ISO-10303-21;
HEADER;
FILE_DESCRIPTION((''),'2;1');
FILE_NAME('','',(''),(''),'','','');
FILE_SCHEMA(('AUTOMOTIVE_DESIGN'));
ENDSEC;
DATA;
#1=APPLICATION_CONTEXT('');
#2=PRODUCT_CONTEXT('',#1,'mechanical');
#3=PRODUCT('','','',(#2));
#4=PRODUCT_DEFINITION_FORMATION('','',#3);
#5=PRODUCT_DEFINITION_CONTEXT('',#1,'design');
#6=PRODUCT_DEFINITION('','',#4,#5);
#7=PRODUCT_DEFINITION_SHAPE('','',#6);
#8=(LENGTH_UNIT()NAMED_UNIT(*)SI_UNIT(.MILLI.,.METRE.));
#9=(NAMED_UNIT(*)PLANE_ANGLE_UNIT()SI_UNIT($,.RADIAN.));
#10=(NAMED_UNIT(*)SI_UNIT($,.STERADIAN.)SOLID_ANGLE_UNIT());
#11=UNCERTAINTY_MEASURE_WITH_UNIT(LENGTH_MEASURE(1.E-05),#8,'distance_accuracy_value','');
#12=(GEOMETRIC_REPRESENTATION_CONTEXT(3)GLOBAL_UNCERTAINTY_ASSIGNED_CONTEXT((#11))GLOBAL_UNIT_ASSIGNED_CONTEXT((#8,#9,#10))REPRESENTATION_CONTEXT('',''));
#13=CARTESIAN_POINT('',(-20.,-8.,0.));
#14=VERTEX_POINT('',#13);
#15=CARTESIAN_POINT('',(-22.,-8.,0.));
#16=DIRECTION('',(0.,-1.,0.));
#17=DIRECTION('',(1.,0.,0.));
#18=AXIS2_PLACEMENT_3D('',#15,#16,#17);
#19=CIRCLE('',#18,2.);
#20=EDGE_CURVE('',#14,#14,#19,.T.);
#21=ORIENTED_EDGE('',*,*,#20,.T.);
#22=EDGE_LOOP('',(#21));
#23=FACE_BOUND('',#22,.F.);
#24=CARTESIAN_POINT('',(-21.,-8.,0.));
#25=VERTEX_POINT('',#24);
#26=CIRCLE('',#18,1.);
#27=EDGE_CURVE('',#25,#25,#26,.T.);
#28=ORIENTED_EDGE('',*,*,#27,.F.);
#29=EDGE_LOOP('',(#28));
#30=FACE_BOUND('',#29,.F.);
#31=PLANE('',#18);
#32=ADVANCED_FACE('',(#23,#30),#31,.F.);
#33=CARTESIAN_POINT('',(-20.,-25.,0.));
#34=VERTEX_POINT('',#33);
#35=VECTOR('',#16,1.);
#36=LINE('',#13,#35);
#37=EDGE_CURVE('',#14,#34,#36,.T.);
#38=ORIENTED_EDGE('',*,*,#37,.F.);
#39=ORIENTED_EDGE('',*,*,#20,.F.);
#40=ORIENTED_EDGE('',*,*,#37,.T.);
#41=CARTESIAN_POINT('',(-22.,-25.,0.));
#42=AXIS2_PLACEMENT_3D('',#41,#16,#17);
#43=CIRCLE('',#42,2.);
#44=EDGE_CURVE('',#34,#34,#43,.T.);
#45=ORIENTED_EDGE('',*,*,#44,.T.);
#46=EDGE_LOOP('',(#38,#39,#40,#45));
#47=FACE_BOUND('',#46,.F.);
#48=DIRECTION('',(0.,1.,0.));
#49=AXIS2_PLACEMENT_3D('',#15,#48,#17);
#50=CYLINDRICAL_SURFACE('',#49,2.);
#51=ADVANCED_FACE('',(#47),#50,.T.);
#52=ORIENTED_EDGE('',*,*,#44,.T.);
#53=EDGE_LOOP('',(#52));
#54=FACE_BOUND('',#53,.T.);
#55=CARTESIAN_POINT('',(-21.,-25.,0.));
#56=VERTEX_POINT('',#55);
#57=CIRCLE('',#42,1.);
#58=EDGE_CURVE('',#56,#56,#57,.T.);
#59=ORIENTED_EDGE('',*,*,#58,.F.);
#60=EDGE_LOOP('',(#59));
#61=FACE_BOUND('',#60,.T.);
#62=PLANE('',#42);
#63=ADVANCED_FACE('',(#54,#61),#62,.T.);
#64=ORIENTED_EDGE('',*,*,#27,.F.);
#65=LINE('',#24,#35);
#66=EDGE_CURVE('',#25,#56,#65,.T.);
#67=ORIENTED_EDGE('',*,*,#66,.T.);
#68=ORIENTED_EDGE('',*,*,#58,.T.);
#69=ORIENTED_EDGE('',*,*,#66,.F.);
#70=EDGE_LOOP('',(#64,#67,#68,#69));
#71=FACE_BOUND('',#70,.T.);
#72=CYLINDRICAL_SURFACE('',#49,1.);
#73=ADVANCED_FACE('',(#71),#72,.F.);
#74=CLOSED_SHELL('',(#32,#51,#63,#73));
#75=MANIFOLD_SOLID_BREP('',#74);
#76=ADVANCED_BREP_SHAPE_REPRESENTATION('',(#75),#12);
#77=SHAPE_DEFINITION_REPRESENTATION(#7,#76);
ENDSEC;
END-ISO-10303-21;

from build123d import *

# Parameters (mm, degrees)
CYLINDER021_R          = 1
CYLINDER021_DEPTH      = 17
CYLINDER021_ROLL_ANGLE = 90
CYLINDER019_R          = 2
CYLINDER019_DEPTH      = 17
CYLINDER019_ROLL_ANGLE = 90


with BuildPart() as cylinder021:
    # Cylinder021 → Cylinder021 (new body)
    with BuildSketch(Plane.XY):
        Circle(CYLINDER021_R)
    extrude(amount=CYLINDER021_DEPTH)


with BuildPart() as cylinder021_1:
    # Cylinder021 roll: moved
    add(cylinder021.part.rotate(Axis((0, 0, 0), (1, 0, 0)), CYLINDER021_ROLL_ANGLE))


with BuildPart() as cylinder021_2:
    # Cylinder021 placement: moved
    add(cylinder021_1.part.moved(Location((-23, -8, 0))))


with BuildPart() as cut006:
    # Cylinder019 → Cylinder019 (new body)
    with BuildSketch(Plane.XY):
        Circle(CYLINDER019_R)
    extrude(amount=CYLINDER019_DEPTH)


with BuildPart() as cut006_1:
    # Cylinder019 roll: moved
    add(cut006.part.rotate(Axis((0, 0, 0), (1, 0, 0)), CYLINDER019_ROLL_ANGLE))


with BuildPart() as cut006_2:
    # Cylinder019 placement: moved
    add(cut006_1.part.moved(Location((-23, -8, 0))))

    # Cut006: cut Cylinder021
    add(cylinder021_2.part, mode=Mode.SUBTRACT)


with BuildPart() as cut006_3:
    # Cut006 placement: moved
    add(cut006_2.part.moved(Location((1, 0, 0))))


solid = cut006_3.part
